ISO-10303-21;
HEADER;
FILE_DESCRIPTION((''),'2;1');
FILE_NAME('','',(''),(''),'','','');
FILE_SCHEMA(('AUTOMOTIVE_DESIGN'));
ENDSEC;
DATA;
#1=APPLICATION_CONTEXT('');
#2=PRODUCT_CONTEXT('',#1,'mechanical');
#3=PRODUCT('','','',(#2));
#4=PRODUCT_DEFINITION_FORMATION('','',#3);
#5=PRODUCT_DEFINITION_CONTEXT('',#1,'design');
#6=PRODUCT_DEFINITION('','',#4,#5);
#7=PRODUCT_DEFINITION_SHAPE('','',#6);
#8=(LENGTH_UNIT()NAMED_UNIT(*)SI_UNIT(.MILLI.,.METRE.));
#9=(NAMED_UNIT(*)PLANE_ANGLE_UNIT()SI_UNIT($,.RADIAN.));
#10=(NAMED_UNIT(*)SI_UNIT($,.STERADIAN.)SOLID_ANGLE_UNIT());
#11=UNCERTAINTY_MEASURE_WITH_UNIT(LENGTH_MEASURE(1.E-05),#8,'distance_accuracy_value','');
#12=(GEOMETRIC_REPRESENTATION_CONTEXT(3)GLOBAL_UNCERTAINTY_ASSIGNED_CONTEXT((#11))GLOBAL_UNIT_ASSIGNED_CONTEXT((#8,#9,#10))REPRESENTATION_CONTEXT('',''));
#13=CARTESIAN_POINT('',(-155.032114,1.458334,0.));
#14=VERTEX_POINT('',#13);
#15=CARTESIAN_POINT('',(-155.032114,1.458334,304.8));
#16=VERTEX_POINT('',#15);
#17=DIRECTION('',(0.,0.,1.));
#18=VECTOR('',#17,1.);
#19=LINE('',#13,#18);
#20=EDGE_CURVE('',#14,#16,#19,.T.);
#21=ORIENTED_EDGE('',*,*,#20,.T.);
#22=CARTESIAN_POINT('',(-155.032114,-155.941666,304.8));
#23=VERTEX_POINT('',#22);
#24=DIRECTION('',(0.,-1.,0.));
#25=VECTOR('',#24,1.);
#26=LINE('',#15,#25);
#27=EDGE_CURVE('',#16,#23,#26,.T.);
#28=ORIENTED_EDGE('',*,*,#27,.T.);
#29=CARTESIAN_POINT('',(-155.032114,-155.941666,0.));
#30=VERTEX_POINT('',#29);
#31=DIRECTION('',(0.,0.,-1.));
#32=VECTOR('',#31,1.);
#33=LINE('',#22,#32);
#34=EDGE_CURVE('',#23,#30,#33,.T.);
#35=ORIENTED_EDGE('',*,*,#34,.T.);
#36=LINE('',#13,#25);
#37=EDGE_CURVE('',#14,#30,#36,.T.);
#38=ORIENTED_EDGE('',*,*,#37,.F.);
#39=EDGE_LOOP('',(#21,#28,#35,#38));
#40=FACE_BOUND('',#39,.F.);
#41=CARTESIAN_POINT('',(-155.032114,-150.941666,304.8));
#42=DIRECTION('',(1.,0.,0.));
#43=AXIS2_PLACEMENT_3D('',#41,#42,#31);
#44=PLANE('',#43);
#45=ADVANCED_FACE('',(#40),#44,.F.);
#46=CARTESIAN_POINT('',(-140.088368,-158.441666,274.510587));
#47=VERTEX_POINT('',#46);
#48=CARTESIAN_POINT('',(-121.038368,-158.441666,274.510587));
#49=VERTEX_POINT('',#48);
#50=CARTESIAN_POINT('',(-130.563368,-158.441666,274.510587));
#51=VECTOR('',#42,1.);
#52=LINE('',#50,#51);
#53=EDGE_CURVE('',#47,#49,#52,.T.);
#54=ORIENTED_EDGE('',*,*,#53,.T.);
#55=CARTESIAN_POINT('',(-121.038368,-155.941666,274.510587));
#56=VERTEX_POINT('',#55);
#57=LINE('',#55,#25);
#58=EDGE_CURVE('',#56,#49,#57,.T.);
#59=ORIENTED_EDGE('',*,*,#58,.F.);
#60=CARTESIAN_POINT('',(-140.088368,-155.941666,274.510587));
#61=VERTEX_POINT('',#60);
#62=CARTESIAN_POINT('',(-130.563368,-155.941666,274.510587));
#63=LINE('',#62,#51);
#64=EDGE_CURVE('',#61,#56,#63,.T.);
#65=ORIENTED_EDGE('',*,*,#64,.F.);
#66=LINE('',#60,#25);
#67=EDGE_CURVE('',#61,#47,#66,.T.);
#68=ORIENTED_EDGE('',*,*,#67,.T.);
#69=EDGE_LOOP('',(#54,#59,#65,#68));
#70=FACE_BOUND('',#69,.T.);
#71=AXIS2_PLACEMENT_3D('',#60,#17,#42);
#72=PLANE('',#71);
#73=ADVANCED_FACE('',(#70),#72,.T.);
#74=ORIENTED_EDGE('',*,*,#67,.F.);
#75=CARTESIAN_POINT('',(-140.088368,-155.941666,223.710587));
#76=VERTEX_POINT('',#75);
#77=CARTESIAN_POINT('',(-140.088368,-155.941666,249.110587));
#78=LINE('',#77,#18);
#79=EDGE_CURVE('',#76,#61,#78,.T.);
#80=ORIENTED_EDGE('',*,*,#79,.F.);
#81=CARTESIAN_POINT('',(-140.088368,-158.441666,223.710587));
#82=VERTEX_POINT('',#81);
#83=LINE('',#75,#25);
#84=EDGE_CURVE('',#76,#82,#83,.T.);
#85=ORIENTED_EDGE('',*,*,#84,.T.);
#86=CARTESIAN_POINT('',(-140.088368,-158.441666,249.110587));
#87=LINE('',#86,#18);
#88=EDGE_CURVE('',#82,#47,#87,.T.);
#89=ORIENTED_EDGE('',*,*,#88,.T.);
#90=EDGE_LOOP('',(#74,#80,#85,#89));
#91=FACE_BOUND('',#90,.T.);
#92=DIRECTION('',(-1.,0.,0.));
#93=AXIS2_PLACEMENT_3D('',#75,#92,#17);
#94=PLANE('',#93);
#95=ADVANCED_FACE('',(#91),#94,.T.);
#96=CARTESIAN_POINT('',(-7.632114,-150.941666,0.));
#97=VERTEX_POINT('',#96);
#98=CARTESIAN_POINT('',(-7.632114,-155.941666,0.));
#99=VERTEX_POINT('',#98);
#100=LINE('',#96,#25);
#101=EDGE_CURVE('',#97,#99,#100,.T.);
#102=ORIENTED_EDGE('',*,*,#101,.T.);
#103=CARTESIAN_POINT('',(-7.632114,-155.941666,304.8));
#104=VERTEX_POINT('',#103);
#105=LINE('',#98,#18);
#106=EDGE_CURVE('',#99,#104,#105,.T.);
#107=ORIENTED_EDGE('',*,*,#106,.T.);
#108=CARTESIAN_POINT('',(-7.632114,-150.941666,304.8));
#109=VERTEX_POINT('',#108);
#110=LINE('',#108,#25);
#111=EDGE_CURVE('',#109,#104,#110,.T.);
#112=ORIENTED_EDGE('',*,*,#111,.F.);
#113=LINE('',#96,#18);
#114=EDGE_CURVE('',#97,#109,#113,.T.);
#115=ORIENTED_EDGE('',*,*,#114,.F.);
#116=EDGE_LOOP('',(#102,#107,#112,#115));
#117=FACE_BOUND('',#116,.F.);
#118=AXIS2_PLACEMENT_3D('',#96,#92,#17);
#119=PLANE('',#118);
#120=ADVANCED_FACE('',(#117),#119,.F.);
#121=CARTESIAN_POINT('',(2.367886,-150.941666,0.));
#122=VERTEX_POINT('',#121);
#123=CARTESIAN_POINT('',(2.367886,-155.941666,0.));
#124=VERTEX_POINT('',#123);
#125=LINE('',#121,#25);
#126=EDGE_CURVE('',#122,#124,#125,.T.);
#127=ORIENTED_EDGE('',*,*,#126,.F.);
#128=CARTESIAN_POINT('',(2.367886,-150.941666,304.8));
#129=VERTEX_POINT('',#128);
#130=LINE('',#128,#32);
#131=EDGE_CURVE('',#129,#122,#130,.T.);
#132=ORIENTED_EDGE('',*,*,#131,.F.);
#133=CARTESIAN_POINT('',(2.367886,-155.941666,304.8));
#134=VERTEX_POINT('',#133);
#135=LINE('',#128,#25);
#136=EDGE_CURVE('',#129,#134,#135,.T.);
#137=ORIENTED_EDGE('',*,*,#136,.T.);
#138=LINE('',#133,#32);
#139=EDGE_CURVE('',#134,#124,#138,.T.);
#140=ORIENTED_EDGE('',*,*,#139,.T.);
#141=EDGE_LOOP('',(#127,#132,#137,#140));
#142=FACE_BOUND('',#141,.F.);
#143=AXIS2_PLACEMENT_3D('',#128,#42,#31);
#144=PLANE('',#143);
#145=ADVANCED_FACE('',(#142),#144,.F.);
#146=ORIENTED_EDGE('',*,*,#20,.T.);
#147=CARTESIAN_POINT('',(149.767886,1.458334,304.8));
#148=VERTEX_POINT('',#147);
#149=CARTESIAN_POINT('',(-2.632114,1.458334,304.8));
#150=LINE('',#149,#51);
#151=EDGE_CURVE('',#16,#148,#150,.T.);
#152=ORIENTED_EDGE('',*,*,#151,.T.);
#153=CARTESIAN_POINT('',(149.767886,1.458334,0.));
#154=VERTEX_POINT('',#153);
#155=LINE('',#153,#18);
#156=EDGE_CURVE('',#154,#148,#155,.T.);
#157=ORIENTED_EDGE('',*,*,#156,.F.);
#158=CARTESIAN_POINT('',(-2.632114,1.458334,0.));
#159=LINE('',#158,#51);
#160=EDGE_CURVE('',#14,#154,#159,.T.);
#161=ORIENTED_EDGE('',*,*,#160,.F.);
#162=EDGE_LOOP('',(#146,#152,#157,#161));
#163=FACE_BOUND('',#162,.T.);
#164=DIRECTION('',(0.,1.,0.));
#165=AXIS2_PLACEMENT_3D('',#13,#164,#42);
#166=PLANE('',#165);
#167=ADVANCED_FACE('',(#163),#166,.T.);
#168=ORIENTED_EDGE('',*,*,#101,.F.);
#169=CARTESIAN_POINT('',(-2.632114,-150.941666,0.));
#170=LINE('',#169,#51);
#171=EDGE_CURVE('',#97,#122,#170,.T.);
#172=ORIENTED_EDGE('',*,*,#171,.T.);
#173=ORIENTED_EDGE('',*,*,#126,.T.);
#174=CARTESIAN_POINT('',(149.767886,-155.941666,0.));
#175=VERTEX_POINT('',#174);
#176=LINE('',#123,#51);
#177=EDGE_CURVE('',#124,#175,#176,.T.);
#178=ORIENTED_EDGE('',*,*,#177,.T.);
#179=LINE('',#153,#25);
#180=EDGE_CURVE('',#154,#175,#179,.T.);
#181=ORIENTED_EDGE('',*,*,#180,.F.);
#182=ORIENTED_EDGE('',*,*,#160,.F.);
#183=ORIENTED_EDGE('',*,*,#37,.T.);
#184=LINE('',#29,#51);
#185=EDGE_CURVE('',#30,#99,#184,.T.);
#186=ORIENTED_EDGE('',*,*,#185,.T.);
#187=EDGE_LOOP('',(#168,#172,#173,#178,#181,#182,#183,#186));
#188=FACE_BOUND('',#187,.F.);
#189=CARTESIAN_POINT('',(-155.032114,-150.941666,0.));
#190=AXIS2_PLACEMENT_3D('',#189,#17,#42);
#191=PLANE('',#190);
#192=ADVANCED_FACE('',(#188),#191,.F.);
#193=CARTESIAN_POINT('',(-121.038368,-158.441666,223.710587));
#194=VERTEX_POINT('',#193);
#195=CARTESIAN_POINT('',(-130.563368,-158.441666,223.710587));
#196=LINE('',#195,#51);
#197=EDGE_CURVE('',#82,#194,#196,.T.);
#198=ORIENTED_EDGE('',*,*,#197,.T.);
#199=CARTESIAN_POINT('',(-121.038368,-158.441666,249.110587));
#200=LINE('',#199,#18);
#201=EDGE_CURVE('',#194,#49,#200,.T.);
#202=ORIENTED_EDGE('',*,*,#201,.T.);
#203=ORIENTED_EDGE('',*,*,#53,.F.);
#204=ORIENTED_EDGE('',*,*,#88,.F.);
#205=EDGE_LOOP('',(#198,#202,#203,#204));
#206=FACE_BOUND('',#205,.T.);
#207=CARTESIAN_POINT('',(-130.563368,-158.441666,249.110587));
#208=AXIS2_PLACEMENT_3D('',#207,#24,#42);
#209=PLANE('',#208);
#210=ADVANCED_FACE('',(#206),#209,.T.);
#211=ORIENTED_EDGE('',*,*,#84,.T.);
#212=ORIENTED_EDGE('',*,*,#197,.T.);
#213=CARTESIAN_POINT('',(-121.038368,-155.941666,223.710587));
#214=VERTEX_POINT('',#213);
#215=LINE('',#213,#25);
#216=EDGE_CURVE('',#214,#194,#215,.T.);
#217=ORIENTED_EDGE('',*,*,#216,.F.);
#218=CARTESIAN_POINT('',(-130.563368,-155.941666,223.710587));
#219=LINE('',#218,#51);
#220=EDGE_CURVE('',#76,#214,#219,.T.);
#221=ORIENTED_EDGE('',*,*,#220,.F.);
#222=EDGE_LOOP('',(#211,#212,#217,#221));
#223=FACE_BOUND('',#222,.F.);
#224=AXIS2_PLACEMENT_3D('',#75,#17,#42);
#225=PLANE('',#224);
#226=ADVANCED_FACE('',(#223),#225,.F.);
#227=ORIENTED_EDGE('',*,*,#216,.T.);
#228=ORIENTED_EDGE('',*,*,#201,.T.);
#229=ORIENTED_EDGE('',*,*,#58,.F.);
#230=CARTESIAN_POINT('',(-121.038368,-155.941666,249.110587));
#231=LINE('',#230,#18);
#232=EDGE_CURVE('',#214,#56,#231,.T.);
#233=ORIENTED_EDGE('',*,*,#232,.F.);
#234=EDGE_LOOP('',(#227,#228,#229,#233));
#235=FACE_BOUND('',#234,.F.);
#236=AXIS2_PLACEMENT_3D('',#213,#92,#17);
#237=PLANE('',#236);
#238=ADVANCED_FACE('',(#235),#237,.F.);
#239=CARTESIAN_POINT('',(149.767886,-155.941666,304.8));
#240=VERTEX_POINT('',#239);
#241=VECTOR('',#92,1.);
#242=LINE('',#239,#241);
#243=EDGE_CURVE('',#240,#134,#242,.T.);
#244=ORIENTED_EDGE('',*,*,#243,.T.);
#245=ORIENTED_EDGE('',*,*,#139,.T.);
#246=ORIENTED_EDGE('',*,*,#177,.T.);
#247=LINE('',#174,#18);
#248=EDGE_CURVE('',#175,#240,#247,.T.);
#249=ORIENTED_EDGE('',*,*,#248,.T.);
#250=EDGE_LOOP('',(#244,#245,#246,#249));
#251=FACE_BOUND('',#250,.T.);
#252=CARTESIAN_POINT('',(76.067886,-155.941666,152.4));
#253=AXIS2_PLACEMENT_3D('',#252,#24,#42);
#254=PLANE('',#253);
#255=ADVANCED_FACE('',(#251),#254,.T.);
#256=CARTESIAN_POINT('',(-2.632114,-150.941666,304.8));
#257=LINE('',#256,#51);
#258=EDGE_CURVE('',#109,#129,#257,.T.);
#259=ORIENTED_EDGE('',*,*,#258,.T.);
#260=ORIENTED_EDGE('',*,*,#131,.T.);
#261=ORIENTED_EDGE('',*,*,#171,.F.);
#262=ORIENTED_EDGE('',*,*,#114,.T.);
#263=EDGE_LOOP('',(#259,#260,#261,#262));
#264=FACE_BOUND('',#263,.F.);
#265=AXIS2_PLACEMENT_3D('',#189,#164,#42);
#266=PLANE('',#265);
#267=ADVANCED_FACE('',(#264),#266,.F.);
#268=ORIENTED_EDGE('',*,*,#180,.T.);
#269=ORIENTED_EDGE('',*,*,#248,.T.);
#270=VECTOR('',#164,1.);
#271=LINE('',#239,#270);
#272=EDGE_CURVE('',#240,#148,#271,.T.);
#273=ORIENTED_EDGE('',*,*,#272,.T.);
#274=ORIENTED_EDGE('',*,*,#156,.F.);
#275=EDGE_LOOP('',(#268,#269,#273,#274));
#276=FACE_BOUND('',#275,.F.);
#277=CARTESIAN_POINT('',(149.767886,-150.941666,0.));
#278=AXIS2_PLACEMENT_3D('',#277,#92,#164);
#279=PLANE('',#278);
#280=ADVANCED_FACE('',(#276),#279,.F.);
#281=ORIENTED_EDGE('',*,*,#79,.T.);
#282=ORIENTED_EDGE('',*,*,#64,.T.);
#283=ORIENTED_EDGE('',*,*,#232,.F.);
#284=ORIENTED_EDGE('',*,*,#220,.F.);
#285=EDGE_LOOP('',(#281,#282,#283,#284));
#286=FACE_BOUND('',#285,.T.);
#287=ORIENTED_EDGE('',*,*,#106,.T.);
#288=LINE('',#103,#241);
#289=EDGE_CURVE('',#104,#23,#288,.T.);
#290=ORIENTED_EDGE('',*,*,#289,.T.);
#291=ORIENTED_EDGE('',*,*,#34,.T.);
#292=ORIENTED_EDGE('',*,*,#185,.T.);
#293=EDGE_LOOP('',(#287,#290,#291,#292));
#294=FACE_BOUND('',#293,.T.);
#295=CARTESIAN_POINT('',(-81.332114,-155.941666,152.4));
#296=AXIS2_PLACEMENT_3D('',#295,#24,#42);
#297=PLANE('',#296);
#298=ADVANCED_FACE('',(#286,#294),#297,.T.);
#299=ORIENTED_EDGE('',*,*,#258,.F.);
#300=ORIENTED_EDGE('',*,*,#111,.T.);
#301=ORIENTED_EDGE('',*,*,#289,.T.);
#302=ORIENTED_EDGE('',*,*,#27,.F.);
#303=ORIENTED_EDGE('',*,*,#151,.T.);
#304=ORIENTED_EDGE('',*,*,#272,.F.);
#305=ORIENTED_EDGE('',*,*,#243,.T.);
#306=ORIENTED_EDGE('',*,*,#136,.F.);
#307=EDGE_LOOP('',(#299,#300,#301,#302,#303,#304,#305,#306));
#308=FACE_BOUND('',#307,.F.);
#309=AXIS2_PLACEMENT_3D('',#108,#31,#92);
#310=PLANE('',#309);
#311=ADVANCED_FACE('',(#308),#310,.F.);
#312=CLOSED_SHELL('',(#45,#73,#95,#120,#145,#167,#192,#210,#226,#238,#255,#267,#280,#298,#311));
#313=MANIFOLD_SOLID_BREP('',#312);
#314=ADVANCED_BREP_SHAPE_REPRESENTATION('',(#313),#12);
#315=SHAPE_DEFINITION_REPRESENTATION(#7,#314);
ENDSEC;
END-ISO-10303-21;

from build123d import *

# Parameters (mm, degrees)
F0_W     = 304.8
F0_H     = 152.4
F1_DEPTH = 304.8
F3_DEPTH = 5
F4_W     = 19.05
F4_H     = 50.8
F5_DEPTH = 2.5


with BuildPart() as f1:
    # F0 (on Top) → F1 (new body)
    with BuildSketch(Plane.XY):
        with Locations((-2.632114, -74.741666)):
            Rectangle(F0_W, F0_H)
    extrude(amount=F1_DEPTH)

    # F2 (on face) → F3 (join)
    with BuildSketch(Plane.XZ.offset(150.941666)):
        Polygon((-7.632114, 304.8), (-155.032114, 304.8), (-155.032114, 0), (-7.632114, 0), (-7.632114, 5), (-7.632114, 299.8), align=None)
        Polygon((149.767886, 304.8), (2.367886, 304.8), (2.367886, 299.8), (2.367886, 5), (2.367886, 0), (149.767886, 0), align=None)
    extrude(amount=F3_DEPTH)

    # F4 (on face) → F5 (join)
    with BuildSketch(Plane.XZ.offset(155.941666)):
        with Locations((-130.563368, 249.110587)):
            Rectangle(F4_W, F4_H)
    extrude(amount=F5_DEPTH)


solid = f1.part
